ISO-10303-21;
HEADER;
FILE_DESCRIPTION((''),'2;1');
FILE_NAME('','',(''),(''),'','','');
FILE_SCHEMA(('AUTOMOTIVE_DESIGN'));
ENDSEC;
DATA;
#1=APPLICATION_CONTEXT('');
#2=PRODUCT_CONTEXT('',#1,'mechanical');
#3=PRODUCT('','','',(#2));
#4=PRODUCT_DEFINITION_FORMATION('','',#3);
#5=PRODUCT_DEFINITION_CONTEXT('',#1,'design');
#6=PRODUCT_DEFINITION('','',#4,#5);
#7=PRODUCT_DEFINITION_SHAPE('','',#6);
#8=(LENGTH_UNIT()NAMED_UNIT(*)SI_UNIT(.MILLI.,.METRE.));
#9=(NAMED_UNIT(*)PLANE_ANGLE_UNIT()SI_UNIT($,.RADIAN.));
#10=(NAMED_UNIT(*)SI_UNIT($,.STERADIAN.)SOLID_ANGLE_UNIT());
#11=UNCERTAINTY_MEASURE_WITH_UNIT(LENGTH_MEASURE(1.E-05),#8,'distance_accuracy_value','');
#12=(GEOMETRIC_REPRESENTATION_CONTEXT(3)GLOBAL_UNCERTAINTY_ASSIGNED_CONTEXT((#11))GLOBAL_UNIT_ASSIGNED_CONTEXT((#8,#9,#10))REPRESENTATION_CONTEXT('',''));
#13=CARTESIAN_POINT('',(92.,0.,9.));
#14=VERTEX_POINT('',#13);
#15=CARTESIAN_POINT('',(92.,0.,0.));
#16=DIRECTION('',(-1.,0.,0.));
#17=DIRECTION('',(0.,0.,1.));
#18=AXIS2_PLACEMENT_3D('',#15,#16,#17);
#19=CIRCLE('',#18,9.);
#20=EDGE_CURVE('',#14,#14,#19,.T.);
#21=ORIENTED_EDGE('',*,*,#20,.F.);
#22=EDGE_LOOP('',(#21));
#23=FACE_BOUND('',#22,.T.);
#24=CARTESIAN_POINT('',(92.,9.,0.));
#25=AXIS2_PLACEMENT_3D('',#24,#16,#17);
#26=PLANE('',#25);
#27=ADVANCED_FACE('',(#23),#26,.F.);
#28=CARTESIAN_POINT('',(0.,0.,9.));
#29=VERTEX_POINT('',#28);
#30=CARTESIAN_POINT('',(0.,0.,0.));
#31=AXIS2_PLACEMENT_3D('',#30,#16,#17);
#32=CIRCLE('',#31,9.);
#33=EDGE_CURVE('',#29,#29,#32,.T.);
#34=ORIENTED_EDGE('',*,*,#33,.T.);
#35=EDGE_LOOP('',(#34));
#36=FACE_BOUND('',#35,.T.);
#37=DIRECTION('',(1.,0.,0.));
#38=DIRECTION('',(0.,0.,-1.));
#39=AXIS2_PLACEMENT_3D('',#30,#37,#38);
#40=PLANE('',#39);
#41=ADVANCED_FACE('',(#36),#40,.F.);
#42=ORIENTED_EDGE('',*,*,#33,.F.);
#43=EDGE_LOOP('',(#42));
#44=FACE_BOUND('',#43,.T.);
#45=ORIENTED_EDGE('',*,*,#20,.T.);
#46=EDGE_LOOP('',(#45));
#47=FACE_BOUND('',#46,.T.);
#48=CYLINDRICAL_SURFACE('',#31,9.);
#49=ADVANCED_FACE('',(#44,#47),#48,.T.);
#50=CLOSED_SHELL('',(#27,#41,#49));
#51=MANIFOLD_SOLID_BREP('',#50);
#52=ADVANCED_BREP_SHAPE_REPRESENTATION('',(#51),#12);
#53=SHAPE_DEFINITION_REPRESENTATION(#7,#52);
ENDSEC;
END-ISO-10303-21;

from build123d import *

# Parameters (mm, degrees)
SKETCH_1_W = 92
SKETCH_1_H = 9


with BuildPart() as part:
    # 草图1 → 旋转1 (revolve)
    with BuildSketch(Plane.XY, mode=Mode.PRIVATE) as revolve_1_sk:
        with Locations((46, 4.5)):
            Rectangle(SKETCH_1_W, SKETCH_1_H)
    revolve(revolve_1_sk.sketch.rotate(Axis((0, 0, 0), (1, 0, 0)), 90), axis=Axis((0, 0, 0), (1, 0, 0)))


solid = part.part
